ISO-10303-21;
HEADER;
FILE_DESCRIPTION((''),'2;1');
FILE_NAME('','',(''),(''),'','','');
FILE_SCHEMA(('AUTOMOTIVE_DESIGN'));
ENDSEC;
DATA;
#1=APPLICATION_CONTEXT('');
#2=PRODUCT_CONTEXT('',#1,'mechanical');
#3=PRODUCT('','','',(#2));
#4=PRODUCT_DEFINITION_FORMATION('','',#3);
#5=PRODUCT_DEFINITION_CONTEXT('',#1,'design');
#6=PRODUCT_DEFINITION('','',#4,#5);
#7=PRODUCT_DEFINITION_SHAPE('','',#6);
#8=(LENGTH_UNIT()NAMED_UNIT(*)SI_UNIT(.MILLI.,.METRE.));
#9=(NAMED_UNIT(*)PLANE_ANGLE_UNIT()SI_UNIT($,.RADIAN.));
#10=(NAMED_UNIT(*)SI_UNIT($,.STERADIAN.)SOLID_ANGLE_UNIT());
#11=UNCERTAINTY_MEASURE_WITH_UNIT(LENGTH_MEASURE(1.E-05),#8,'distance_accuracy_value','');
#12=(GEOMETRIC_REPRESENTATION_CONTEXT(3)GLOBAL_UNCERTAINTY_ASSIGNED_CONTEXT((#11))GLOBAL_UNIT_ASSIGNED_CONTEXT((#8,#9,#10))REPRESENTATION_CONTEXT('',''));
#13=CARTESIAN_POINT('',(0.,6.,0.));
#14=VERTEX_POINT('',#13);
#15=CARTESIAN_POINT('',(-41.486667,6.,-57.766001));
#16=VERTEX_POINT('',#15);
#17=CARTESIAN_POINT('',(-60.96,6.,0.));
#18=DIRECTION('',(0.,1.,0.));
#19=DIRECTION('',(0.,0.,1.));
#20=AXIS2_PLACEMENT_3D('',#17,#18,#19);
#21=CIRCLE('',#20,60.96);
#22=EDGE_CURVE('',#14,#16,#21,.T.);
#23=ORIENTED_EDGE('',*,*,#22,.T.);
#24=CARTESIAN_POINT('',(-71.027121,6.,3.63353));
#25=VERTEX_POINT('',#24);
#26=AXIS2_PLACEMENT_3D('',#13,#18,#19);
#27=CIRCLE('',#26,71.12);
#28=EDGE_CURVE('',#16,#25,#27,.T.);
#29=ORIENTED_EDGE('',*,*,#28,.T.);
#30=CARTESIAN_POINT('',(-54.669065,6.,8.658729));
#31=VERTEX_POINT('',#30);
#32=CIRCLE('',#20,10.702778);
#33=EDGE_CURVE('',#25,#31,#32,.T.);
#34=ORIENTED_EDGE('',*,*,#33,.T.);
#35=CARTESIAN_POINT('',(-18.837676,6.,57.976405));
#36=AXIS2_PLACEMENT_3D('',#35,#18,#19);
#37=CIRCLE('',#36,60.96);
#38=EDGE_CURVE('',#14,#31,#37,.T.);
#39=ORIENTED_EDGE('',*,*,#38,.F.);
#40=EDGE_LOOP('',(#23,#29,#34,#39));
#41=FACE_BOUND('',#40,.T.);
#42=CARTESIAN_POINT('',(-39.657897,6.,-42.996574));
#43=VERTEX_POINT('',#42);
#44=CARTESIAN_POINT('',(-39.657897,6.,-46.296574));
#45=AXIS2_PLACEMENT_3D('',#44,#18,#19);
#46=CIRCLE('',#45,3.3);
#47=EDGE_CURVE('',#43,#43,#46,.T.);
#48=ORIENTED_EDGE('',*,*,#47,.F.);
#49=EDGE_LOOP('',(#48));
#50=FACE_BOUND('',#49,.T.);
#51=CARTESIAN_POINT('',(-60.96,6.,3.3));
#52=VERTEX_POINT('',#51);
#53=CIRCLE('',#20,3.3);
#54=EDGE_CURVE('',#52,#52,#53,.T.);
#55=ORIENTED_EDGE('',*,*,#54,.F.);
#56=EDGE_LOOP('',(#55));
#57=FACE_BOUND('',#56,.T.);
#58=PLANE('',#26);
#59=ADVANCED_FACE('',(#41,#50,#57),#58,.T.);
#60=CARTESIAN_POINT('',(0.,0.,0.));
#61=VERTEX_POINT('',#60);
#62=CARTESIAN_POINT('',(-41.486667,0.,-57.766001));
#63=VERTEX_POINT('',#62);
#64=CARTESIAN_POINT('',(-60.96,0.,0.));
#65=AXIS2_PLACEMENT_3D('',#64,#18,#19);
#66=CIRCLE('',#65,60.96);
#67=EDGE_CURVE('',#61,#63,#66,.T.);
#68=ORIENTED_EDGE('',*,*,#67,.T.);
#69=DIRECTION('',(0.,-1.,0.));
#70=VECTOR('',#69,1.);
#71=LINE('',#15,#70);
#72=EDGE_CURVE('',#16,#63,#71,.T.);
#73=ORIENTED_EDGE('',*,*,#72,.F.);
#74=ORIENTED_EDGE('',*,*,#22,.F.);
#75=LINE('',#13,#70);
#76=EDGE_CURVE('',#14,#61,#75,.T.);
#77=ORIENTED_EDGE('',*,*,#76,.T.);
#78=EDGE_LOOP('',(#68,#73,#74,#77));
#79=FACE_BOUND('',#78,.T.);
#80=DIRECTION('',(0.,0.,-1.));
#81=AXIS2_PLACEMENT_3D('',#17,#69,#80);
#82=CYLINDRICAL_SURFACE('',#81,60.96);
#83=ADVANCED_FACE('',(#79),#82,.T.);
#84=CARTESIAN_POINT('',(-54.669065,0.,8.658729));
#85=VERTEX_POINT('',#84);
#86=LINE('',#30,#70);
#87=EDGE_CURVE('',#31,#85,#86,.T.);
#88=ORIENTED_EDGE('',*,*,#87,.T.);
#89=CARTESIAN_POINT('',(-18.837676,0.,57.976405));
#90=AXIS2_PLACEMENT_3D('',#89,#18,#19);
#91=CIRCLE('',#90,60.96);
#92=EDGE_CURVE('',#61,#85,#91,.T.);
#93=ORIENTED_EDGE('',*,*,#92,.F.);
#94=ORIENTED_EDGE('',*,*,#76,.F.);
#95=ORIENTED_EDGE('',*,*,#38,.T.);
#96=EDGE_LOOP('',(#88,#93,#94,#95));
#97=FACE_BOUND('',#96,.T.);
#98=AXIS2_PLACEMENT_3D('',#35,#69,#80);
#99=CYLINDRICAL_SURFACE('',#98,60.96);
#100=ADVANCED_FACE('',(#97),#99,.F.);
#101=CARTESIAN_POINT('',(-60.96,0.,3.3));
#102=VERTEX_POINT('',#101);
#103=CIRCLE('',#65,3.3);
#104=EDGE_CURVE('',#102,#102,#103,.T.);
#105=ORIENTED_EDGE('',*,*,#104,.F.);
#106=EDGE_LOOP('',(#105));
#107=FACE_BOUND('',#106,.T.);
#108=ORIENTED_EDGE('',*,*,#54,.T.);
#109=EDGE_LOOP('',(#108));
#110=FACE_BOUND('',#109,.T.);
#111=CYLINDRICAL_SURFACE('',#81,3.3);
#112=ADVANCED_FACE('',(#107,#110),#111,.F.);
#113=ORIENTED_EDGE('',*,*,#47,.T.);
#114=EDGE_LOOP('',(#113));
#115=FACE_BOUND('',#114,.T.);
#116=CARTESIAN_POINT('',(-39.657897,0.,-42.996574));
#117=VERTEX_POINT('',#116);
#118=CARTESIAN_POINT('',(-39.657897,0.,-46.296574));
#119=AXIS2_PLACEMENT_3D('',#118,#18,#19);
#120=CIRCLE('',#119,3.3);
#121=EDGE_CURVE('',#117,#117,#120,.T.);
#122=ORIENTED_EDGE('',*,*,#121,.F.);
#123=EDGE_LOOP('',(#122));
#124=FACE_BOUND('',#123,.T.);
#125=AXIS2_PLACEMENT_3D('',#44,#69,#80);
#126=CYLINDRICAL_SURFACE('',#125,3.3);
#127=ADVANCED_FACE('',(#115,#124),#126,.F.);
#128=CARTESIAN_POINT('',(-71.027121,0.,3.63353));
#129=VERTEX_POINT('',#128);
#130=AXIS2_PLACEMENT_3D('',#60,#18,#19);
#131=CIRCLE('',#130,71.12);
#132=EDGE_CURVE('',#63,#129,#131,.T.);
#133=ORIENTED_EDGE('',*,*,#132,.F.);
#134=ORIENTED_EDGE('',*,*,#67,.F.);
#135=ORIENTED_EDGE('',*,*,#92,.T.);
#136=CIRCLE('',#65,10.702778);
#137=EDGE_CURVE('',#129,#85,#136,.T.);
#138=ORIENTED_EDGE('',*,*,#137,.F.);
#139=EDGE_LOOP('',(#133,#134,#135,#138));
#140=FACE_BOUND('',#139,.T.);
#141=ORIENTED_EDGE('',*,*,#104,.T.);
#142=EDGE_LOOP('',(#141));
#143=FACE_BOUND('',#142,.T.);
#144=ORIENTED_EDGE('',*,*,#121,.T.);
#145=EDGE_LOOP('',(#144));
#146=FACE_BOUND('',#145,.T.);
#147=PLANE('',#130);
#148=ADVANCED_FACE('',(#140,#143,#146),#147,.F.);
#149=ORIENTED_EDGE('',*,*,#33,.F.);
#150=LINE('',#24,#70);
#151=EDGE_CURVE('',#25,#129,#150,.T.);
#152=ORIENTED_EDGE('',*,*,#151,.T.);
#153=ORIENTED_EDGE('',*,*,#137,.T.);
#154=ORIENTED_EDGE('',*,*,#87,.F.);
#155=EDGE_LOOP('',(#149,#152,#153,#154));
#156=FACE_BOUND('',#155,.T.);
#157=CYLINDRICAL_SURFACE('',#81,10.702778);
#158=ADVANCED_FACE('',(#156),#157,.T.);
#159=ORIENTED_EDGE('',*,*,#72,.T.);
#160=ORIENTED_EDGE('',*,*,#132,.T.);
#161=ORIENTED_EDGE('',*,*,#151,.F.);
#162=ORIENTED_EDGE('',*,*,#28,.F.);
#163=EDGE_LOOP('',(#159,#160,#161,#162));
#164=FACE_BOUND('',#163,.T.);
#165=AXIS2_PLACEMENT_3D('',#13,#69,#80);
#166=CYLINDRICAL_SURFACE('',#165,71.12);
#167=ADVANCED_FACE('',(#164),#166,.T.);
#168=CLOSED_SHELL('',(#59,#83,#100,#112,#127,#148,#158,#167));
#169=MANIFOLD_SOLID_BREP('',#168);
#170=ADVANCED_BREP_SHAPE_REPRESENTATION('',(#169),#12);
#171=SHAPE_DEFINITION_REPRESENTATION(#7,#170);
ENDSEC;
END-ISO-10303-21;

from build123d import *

# Parameters (mm, degrees)
SKETCH1_R           = 3.3
BOSS_EXTRUDE1_DEPTH = 6


with BuildPart() as part:
    # Sketch1 → Boss-Extrude1 (new body)
    with BuildSketch(Plane(origin=(0, 0, 0), x_dir=(1, 0, 0), z_dir=(0, 1, 0))):
        with BuildLine():
            ThreePointArc((0, 0), (-11.446284728, 35.56), (-41.486666667, 57.76600115))
            ThreePointArc((-41.486666667, 57.76600115), (-64.088327188, 30.834083711), (-71.027120603, -3.6335298))
            ThreePointArc((-71.027120603, -3.6335298), (-64.102936802, -10.230904374), (-54.669064957, -8.658729256))
            ThreePointArc((-54.669064957, -8.658729256), (-28.373920966, 2.233076009), (0, 0))
        make_face()
        with Locations((-39.657897042, 46.296574351)):
            Circle(SKETCH1_R, mode=Mode.SUBTRACT)
        with Locations((-60.96, 0)):
            Circle(SKETCH1_R, mode=Mode.SUBTRACT)
    extrude(amount=BOSS_EXTRUDE1_DEPTH)


solid = part.part
